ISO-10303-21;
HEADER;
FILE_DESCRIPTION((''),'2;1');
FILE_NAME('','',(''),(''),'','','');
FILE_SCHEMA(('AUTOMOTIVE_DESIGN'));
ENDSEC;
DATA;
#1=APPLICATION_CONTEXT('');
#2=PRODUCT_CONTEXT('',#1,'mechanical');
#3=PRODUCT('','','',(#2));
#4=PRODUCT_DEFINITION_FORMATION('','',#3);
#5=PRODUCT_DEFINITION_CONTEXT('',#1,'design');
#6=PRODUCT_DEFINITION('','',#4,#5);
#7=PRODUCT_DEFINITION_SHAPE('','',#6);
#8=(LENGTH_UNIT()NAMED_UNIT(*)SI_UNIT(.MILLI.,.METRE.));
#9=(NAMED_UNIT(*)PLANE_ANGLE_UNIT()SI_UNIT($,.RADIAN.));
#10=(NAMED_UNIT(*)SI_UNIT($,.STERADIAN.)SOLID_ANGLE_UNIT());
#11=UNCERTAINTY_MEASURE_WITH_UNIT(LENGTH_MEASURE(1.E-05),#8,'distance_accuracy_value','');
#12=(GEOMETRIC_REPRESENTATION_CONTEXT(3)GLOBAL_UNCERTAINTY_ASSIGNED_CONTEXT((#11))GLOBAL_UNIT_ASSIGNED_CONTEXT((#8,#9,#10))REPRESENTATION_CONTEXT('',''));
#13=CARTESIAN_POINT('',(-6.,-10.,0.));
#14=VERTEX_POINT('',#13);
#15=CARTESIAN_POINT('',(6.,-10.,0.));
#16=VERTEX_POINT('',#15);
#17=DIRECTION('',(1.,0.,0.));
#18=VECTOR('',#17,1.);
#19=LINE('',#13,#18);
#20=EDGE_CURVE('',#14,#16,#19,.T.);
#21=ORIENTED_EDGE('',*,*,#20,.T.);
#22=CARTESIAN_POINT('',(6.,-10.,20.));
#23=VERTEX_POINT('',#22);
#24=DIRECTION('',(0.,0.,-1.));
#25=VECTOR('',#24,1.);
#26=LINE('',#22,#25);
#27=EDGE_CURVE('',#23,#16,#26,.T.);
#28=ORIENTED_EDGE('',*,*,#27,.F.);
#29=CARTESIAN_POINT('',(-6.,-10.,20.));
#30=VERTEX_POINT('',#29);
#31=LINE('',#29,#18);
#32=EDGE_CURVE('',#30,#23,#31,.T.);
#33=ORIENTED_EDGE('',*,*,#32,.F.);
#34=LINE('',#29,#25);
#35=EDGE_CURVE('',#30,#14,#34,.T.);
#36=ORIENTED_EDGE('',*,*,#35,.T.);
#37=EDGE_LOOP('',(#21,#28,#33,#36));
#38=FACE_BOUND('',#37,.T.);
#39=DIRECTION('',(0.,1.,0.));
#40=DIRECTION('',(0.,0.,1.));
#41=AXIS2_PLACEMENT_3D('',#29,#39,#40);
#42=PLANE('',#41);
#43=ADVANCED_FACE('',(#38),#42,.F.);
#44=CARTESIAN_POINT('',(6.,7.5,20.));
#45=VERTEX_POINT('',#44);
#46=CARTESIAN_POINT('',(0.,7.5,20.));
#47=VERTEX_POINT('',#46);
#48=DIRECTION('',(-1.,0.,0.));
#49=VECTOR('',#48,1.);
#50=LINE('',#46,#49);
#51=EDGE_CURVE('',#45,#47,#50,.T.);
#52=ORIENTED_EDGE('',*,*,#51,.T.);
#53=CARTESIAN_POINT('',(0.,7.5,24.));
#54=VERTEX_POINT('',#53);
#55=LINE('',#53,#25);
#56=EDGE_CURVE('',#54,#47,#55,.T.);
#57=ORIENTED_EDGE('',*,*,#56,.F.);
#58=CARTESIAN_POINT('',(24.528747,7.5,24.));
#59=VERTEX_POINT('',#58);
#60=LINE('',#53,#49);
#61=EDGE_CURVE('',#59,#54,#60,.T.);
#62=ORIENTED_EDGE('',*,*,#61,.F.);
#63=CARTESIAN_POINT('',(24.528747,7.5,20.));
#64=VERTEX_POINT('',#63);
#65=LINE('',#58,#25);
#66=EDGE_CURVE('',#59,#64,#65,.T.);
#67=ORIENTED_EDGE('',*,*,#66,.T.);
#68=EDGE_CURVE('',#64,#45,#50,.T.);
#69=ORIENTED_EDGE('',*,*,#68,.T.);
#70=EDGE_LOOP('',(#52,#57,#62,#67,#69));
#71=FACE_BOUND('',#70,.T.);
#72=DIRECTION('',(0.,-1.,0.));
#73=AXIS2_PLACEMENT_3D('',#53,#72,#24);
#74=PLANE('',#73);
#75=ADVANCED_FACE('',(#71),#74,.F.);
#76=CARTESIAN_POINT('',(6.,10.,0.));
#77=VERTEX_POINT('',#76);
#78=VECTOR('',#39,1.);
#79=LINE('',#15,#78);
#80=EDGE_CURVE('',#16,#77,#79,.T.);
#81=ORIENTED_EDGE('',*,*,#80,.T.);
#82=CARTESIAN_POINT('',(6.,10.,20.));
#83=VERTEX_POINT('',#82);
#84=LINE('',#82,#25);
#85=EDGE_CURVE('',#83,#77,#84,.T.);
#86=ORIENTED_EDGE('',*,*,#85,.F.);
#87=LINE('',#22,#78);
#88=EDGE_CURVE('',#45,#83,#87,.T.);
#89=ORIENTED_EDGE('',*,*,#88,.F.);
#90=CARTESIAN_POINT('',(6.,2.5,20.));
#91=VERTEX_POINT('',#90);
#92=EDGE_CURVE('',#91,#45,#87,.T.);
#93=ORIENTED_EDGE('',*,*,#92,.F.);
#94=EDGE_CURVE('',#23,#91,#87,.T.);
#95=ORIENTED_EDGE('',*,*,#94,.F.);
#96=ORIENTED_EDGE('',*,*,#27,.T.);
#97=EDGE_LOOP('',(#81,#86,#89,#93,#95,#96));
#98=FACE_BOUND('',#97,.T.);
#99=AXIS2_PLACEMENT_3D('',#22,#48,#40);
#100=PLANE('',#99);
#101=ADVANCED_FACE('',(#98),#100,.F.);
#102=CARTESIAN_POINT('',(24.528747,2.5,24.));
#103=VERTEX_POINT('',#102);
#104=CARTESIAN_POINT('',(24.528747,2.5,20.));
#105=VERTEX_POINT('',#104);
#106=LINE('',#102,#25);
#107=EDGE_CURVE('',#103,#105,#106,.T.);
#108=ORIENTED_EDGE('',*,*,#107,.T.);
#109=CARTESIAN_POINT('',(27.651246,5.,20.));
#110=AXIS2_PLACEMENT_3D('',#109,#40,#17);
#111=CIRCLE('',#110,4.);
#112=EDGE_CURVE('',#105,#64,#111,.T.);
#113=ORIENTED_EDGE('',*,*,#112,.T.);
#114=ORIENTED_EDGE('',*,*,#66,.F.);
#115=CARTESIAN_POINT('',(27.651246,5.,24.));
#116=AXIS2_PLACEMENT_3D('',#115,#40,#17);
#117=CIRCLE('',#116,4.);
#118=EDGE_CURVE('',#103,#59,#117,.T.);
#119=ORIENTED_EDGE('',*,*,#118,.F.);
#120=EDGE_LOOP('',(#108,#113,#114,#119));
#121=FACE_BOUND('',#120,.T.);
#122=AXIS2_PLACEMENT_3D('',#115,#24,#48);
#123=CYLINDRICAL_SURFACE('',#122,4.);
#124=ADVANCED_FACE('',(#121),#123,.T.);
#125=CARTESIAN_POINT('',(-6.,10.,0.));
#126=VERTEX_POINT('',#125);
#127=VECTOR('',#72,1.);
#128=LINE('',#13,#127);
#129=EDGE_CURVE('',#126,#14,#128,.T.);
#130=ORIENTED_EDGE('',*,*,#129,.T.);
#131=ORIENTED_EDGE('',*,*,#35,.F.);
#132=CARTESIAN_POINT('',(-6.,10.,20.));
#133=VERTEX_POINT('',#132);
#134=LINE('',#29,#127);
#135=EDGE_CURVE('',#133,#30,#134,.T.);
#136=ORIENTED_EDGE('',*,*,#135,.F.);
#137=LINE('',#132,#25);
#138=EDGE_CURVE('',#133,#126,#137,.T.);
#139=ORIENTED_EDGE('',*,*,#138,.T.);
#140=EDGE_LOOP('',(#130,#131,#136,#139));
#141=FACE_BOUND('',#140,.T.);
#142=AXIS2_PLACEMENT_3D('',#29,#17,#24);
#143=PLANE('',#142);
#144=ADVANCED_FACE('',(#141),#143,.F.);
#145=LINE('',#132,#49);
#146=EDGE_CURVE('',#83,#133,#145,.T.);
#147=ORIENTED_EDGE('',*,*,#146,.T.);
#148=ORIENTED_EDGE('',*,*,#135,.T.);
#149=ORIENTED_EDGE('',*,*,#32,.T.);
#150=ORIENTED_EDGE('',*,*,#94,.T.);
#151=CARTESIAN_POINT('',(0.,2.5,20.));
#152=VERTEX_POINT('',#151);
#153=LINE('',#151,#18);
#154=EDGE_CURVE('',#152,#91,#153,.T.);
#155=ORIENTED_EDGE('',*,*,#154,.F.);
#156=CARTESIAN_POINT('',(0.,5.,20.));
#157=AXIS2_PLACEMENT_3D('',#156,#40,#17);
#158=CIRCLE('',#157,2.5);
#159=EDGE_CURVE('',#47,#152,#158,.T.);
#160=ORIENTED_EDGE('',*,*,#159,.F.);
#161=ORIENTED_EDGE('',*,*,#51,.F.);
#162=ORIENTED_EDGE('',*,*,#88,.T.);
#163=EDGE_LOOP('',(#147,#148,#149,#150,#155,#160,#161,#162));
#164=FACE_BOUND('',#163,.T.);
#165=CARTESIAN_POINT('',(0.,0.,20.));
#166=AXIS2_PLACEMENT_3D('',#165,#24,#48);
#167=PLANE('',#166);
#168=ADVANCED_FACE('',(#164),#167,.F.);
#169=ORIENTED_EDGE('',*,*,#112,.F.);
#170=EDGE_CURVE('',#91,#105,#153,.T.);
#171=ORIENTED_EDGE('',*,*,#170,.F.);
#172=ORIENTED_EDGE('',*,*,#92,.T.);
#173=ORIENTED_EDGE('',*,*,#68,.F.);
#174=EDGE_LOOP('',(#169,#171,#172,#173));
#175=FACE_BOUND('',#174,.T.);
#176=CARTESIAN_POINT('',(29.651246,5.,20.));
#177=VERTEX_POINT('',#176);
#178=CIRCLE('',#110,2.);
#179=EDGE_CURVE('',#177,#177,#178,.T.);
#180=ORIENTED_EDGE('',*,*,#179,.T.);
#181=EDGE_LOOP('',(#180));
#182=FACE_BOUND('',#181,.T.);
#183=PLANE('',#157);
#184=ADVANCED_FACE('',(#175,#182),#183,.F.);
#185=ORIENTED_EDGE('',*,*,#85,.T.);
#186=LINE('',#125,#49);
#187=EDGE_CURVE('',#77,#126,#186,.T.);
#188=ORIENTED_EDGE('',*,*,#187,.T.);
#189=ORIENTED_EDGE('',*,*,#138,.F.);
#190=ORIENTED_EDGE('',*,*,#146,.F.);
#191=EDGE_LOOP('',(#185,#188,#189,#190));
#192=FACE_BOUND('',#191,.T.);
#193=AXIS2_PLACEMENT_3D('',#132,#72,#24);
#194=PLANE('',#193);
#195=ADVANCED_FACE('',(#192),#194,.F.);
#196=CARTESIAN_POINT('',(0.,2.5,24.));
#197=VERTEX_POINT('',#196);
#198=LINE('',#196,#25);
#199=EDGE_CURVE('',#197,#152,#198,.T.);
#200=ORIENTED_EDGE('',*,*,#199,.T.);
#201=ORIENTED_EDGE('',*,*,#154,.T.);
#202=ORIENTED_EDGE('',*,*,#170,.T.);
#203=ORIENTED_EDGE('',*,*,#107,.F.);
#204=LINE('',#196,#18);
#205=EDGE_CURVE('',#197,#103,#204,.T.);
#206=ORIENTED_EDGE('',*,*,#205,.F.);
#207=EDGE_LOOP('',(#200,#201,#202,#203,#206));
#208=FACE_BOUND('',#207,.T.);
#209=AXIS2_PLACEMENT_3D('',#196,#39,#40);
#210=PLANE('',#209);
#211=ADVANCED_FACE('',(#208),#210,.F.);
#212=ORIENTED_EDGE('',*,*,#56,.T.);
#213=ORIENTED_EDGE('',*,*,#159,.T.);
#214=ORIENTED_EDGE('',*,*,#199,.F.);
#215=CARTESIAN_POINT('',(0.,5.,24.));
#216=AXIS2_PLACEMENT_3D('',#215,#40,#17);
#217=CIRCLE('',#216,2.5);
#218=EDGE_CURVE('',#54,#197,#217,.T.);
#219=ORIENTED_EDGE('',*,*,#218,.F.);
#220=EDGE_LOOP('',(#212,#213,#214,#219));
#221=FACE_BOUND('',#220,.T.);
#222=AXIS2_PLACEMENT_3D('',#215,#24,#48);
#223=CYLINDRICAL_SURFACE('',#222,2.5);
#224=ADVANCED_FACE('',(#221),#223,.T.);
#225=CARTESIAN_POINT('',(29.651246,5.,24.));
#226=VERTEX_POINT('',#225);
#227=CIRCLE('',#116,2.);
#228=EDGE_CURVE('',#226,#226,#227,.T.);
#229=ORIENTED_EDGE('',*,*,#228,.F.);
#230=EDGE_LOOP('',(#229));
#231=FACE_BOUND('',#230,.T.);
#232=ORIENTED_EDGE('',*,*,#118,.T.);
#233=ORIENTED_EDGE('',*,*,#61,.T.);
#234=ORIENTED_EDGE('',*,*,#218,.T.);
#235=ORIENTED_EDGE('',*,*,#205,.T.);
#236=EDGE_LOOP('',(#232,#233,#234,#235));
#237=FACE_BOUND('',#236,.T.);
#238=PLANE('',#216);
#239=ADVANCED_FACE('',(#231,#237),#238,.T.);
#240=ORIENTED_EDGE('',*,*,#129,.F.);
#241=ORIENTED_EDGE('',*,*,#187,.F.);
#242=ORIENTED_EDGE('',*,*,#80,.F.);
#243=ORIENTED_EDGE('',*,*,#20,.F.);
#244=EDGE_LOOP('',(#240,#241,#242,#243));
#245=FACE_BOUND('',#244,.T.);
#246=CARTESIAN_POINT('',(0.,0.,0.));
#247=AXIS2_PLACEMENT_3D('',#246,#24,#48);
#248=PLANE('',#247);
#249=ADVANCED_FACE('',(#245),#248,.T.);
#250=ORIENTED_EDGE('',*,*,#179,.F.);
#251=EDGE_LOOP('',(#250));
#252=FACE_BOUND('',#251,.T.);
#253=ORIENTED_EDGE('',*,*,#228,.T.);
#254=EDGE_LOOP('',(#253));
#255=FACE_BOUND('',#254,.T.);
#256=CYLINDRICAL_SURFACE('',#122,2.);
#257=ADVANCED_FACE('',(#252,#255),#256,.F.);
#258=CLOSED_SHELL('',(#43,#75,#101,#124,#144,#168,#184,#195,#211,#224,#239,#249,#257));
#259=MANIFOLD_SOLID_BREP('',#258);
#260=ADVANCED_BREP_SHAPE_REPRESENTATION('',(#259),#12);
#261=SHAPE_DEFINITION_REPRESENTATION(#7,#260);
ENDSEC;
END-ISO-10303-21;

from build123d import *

# Parameters (mm, degrees)
ESQUISSE1_W        = 12
ESQUISSE1_H        = 20
BOSS_EXTRU_1_DEPTH = 20
ESQUISSE2_R        = 2
BOSS_EXTRU_2_DEPTH = 4


with BuildPart() as part:
    # Esquisse1 → Boss.-Extru.1 (new body)
    with BuildSketch(Plane.XY):
        Rectangle(ESQUISSE1_W, ESQUISSE1_H)
    extrude(amount=BOSS_EXTRU_1_DEPTH)

    # Esquisse2 → Boss.-Extru.2 (add)
    with BuildSketch(Plane.XY.offset(20)):
        with BuildLine():
            Line((0, 7.5), (24.528746791, 7.5))
            ThreePointArc((24.528746791, 7.5), (31.65124579, 5), (24.528746791, 2.5))
            Line((24.528746791, 2.5), (0, 2.5))
            ThreePointArc((0, 2.5), (-2.5, 5), (0, 7.5))
        make_face()
        with Locations((27.65124579, 5)):
            Circle(ESQUISSE2_R, mode=Mode.SUBTRACT)
    extrude(amount=BOSS_EXTRU_2_DEPTH)


solid = part.part
